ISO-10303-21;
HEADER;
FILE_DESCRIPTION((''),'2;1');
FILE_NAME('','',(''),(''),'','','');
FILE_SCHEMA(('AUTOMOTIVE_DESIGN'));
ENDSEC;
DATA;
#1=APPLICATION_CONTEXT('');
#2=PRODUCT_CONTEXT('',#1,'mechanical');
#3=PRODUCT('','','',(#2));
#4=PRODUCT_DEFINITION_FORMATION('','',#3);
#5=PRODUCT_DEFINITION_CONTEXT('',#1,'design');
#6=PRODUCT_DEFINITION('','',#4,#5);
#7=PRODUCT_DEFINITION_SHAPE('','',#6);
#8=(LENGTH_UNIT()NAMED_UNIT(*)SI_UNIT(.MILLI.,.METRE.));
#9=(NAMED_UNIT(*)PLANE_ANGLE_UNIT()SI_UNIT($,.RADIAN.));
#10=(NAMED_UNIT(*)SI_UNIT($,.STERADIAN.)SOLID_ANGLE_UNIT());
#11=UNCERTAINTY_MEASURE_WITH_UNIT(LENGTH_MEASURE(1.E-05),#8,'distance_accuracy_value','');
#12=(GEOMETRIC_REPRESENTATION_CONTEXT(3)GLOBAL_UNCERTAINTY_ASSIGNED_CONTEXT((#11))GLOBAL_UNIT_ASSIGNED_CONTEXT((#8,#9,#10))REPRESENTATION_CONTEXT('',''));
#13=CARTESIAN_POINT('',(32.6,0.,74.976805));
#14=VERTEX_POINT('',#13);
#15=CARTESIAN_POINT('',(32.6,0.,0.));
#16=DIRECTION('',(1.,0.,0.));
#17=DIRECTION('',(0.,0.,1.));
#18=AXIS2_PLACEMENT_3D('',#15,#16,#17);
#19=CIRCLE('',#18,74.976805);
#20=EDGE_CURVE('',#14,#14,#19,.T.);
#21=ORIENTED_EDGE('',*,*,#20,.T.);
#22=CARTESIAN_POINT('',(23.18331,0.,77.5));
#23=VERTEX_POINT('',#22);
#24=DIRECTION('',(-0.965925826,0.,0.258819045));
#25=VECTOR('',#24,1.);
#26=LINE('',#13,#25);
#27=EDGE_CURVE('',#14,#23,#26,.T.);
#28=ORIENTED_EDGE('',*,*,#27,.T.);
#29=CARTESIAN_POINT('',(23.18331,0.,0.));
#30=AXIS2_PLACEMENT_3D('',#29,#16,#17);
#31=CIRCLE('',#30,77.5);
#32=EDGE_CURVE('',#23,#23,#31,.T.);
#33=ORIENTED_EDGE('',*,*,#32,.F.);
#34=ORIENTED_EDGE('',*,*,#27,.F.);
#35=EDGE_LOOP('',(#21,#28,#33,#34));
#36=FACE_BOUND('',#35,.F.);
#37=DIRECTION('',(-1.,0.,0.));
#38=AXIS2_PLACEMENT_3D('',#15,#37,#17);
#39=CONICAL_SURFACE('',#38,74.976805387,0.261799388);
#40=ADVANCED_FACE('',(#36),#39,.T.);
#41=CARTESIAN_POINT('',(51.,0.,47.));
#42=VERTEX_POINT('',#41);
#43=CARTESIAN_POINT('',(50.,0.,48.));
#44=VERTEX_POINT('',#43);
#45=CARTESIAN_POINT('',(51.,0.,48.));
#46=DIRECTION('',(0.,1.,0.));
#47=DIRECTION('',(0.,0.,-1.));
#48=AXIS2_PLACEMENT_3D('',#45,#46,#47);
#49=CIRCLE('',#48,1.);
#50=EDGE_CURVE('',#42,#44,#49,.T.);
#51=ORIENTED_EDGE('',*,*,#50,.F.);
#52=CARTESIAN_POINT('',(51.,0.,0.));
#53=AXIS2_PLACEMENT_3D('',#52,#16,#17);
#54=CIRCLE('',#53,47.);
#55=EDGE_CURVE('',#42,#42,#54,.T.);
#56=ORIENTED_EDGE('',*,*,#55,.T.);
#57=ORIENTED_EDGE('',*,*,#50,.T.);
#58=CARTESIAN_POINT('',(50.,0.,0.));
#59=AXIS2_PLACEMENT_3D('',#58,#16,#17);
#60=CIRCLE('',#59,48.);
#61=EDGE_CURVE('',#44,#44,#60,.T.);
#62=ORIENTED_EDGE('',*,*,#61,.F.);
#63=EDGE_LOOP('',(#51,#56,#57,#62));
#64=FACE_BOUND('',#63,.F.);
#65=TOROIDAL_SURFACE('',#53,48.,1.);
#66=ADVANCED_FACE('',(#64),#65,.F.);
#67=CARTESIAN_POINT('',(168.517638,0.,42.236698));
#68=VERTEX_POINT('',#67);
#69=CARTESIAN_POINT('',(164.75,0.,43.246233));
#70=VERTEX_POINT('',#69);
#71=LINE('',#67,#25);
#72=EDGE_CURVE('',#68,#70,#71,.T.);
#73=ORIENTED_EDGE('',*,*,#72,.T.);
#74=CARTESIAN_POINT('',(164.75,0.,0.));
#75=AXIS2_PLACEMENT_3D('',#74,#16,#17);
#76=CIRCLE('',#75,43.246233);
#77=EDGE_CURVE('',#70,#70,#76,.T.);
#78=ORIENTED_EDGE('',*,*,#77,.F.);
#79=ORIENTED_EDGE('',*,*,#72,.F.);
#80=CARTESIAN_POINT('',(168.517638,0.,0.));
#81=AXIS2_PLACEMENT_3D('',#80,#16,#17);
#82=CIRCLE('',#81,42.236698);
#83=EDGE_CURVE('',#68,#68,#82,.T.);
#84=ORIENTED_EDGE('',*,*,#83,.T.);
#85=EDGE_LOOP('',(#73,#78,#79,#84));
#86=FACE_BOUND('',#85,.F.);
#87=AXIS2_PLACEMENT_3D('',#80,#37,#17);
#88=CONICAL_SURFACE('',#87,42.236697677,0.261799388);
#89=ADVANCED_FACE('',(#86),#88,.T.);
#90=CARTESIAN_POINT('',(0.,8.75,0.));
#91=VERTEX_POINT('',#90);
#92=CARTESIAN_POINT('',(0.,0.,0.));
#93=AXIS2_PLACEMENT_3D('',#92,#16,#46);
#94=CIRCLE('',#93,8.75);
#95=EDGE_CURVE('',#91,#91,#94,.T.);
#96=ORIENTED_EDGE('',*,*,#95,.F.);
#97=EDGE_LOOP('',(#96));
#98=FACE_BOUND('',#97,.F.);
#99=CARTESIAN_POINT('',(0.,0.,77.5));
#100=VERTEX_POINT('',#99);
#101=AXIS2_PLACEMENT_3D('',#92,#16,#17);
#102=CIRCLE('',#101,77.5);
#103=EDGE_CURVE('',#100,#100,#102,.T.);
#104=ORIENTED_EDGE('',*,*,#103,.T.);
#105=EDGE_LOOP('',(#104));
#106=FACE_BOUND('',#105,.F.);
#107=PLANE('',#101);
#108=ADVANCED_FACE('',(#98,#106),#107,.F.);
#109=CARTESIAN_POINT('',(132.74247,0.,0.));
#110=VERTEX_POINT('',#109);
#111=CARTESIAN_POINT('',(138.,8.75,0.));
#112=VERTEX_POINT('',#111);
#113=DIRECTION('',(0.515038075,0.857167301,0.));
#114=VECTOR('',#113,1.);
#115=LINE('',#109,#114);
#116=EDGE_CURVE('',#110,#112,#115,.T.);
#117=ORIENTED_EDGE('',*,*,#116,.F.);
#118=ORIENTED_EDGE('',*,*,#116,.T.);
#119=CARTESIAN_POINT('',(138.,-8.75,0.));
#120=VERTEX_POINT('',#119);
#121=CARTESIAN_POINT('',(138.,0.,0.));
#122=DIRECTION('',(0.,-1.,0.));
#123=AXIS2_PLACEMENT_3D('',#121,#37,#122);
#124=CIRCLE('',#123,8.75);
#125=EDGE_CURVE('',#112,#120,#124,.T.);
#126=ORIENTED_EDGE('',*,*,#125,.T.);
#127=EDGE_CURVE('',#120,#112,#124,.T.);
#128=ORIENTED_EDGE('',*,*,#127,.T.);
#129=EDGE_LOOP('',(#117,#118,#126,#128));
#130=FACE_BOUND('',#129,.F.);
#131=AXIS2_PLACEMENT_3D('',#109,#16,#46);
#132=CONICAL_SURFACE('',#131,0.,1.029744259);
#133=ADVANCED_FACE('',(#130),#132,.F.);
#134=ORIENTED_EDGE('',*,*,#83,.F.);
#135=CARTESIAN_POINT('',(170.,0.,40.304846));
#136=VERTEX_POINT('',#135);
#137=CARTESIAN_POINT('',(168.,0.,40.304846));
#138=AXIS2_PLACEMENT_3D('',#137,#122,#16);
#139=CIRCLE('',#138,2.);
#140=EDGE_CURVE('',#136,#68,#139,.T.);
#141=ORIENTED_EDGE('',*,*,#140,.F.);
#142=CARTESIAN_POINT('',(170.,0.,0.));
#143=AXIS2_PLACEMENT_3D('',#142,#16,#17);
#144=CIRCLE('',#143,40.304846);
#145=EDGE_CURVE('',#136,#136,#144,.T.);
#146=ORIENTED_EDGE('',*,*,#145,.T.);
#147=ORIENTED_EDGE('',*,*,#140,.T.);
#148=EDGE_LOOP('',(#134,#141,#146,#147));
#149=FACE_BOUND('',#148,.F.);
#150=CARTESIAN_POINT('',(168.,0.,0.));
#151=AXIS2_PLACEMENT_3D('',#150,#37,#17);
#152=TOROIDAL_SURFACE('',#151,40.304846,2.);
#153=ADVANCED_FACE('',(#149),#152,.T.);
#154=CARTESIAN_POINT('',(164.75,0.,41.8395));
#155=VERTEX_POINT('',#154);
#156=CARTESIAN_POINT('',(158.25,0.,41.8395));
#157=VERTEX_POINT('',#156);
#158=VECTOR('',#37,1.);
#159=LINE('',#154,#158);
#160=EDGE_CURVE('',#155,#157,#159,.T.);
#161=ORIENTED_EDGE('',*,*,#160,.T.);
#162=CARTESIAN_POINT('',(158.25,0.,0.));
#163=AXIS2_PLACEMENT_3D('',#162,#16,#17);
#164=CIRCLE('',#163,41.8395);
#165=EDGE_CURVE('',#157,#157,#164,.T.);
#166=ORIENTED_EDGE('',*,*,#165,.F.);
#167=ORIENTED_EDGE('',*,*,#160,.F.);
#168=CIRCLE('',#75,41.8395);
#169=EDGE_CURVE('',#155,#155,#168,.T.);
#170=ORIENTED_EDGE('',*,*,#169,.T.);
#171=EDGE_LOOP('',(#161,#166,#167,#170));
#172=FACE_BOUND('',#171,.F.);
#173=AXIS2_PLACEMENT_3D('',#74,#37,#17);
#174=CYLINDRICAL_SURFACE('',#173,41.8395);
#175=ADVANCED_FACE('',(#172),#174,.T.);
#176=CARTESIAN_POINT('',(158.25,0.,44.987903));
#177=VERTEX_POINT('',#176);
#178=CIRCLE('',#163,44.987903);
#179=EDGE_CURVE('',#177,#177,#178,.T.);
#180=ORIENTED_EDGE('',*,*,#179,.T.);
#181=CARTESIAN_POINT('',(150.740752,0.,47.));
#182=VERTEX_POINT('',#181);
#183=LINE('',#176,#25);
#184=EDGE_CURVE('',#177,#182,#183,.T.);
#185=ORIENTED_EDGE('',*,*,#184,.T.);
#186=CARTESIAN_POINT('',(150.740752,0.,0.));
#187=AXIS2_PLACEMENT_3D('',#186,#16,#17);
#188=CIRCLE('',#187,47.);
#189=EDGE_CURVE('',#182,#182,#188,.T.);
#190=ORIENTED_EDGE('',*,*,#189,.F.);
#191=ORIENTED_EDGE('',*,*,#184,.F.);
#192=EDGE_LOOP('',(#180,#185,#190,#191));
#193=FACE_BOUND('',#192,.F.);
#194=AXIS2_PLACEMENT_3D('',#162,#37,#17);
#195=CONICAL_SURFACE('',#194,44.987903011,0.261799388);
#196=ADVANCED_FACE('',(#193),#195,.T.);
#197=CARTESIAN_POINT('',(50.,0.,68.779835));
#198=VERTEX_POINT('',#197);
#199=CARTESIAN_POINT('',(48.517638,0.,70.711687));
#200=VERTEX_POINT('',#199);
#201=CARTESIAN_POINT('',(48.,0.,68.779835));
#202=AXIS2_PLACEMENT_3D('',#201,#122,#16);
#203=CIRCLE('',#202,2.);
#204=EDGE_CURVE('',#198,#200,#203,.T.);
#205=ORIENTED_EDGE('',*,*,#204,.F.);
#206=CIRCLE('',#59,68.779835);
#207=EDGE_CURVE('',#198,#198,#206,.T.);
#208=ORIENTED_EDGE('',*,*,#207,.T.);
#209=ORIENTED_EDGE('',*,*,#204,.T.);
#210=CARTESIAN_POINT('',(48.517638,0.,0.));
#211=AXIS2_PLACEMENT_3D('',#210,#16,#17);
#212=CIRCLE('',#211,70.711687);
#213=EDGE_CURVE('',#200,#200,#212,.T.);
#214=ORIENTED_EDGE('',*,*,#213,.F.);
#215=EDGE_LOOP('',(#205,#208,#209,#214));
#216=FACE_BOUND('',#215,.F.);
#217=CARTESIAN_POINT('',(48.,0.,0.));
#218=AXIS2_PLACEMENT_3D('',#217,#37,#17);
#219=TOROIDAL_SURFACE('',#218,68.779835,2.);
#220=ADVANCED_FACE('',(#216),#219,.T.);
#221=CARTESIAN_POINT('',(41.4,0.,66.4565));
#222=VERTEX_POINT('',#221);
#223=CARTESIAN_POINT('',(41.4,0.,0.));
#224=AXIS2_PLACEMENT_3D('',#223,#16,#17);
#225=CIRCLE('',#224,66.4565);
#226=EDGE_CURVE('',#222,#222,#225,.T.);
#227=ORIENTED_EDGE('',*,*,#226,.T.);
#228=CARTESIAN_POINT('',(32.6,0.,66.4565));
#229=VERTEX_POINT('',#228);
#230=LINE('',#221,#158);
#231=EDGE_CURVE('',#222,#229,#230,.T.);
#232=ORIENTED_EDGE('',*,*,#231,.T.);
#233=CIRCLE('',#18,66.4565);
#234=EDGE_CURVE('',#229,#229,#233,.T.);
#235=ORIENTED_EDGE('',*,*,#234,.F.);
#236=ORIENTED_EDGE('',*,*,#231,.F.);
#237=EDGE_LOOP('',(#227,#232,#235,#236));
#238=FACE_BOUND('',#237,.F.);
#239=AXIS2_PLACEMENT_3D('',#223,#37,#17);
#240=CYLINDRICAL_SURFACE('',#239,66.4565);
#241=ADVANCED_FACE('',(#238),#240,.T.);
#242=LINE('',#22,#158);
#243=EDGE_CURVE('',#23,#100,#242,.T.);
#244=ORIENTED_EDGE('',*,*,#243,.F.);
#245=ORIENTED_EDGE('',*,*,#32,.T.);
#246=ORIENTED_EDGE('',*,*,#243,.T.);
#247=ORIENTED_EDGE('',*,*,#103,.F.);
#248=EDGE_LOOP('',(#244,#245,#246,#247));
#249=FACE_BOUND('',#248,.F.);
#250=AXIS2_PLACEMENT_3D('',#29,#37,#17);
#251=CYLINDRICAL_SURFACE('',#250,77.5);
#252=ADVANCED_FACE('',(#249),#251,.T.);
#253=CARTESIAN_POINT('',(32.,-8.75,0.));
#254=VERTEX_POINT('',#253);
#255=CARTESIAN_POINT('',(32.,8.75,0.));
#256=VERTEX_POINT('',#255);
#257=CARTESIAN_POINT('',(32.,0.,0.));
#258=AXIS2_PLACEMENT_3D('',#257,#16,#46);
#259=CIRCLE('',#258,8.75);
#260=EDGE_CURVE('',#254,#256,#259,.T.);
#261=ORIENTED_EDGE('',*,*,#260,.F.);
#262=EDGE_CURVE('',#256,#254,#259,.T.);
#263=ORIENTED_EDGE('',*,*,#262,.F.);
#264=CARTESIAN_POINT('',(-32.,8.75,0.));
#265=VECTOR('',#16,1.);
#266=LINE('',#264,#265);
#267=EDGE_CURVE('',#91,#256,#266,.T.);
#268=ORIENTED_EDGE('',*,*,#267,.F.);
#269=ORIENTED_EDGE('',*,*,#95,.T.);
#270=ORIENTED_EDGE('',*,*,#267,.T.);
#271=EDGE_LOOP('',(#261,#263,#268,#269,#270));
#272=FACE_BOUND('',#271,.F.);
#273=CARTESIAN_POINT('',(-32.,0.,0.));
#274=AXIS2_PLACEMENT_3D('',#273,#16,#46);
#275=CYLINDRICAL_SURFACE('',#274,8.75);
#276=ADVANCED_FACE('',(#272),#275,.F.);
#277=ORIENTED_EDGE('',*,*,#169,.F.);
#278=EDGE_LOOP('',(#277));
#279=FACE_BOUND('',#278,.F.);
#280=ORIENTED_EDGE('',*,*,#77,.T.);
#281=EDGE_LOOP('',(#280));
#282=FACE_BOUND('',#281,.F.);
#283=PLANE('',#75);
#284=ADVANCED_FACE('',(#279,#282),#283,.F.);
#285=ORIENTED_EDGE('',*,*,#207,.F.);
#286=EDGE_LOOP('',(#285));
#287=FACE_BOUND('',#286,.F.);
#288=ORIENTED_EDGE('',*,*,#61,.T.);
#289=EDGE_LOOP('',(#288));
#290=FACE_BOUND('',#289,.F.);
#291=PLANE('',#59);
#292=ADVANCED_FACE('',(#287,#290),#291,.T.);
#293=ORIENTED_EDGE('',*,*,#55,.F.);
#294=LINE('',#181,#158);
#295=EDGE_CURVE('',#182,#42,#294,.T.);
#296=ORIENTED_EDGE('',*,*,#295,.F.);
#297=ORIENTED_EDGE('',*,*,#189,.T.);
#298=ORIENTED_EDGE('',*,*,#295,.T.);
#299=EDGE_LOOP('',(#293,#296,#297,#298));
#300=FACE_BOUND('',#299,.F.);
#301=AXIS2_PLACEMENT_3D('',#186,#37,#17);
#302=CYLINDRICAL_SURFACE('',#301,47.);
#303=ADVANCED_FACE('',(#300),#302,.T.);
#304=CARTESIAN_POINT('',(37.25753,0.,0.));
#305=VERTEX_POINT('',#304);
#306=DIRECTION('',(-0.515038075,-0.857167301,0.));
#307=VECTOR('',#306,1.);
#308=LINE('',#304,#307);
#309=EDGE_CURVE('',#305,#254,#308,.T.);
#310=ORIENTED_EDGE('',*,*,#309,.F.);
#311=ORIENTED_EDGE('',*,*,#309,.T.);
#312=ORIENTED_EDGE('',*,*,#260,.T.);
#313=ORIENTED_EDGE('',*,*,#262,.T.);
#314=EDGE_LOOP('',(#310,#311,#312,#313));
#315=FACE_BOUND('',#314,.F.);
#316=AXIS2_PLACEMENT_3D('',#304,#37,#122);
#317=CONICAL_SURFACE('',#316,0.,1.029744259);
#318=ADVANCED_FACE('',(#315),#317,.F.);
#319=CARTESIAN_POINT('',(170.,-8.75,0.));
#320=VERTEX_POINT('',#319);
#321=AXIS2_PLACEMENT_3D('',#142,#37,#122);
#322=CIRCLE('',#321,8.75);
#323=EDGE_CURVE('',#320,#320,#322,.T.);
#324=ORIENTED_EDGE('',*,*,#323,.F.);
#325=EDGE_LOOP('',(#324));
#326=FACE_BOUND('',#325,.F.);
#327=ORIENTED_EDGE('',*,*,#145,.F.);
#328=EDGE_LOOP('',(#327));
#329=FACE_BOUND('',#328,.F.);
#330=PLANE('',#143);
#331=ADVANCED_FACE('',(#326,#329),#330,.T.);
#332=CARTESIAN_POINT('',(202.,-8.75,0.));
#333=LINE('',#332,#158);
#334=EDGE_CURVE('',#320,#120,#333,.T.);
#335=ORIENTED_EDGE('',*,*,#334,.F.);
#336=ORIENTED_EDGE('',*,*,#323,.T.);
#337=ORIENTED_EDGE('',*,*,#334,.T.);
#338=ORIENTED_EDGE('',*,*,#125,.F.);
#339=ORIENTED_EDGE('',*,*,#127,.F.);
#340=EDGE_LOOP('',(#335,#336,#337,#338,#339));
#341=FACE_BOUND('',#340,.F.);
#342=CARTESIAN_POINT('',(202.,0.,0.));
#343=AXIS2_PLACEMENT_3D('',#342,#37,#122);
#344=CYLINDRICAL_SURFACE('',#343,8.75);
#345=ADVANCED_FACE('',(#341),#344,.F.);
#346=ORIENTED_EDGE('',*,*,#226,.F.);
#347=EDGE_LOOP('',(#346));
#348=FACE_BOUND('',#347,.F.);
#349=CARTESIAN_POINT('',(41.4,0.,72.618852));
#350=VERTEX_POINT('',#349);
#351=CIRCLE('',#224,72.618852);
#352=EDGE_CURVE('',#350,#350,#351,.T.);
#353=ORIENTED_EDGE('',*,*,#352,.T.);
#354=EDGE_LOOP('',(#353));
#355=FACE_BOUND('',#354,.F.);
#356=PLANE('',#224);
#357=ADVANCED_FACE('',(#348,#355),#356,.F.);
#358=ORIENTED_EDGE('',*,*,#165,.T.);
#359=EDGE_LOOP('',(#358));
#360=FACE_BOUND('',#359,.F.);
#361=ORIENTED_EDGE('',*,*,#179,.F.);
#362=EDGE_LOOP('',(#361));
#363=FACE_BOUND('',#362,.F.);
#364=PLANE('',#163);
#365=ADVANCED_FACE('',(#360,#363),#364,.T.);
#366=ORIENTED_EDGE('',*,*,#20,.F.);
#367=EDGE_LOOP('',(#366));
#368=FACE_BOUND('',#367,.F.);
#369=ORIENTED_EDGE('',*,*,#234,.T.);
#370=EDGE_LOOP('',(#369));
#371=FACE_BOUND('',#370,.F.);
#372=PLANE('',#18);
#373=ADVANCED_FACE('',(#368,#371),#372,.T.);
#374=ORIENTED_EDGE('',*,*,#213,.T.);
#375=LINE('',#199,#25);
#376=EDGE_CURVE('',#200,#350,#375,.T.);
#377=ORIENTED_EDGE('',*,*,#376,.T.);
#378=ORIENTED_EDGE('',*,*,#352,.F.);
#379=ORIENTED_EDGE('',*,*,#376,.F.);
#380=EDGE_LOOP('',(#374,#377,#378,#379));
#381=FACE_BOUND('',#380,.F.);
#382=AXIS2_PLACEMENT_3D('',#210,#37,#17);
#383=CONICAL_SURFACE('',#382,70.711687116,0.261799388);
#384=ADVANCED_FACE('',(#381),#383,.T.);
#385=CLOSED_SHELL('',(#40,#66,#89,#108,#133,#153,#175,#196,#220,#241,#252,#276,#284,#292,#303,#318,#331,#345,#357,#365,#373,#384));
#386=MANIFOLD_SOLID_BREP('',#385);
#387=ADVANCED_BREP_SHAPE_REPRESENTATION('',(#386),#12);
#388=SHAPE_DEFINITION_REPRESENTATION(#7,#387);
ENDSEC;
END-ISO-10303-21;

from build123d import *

# Parameters (mm, degrees)
F3_D     = 17.5
F3_DEPTH = 32
F3_TIP   = 5.2575304165
F5_D     = 17.5
F5_DEPTH = 32
F5_TIP   = 5.2575304165


with BuildPart() as f1:
    # F0 (on Front) → F1 (revolve)
    with BuildSketch(Plane.XZ):
        with BuildLine():
            Line((0, 77.5), (0, 0))
            Line((0, 0), (170, 0))
            Line((170, 0), (170, 40.304846024))
            ThreePointArc((170, 40.304846024), (169.5867066806, 41.5223688821), (168.5176380902, 42.2366976766))
            Line((168.5176380902, 42.2366976766), (164.75, 43.2462332603))
            Line((164.75, 43.2462332603), (164.75, 41.8395))
            Line((164.75, 41.8395), (158.25, 41.8395))
            Line((158.25, 41.8395), (158.25, 44.9879030111))
            Line((158.25, 44.9879030111), (150.7407518075, 47))
            Line((150.7407518075, 47), (51, 47))
            ThreePointArc((51, 47), (50.2928932188, 47.2928932188), (50, 48))
            Line((50, 48), (50, 68.7798354631))
            ThreePointArc((50, 68.7798354631), (49.5867066806, 69.9973583211), (48.5176380902, 70.7116871157))
            Line((48.5176380902, 70.7116871157), (41.4, 72.6188524939))
            Line((41.4, 72.6188524939), (41.4, 66.4565))
            Line((41.4, 66.4565), (32.6, 66.4565))
            Line((32.6, 66.4565), (32.6, 74.9768053873))
            Line((32.6, 74.9768053873), (23.1833095082, 77.5))
            Line((23.1833095082, 77.5), (0, 77.5))
        make_face()
    revolve(axis=Axis((85, 0, 0), (1, 0, 0)))

    # F3
    with Locations(Plane(origin=(0, 0, 0), x_dir=(0, -1, 0), z_dir=(-1, 0, 0))):
        with Locations((0, 0)):
            Hole(F3_D / 2, depth=F3_DEPTH)
            with Locations((0, 0, -(F3_DEPTH + F3_TIP / 2))):  # 118° drill point
                Cone(0, F3_D / 2, F3_TIP, mode=Mode.SUBTRACT)

    # F5
    with Locations(Plane.YZ.offset(170)):
        with Locations((0, 0)):
            Hole(F5_D / 2, depth=F5_DEPTH)
            with Locations((0, 0, -(F5_DEPTH + F5_TIP / 2))):  # 118° drill point
                Cone(0, F5_D / 2, F5_TIP, mode=Mode.SUBTRACT)


solid = f1.part
